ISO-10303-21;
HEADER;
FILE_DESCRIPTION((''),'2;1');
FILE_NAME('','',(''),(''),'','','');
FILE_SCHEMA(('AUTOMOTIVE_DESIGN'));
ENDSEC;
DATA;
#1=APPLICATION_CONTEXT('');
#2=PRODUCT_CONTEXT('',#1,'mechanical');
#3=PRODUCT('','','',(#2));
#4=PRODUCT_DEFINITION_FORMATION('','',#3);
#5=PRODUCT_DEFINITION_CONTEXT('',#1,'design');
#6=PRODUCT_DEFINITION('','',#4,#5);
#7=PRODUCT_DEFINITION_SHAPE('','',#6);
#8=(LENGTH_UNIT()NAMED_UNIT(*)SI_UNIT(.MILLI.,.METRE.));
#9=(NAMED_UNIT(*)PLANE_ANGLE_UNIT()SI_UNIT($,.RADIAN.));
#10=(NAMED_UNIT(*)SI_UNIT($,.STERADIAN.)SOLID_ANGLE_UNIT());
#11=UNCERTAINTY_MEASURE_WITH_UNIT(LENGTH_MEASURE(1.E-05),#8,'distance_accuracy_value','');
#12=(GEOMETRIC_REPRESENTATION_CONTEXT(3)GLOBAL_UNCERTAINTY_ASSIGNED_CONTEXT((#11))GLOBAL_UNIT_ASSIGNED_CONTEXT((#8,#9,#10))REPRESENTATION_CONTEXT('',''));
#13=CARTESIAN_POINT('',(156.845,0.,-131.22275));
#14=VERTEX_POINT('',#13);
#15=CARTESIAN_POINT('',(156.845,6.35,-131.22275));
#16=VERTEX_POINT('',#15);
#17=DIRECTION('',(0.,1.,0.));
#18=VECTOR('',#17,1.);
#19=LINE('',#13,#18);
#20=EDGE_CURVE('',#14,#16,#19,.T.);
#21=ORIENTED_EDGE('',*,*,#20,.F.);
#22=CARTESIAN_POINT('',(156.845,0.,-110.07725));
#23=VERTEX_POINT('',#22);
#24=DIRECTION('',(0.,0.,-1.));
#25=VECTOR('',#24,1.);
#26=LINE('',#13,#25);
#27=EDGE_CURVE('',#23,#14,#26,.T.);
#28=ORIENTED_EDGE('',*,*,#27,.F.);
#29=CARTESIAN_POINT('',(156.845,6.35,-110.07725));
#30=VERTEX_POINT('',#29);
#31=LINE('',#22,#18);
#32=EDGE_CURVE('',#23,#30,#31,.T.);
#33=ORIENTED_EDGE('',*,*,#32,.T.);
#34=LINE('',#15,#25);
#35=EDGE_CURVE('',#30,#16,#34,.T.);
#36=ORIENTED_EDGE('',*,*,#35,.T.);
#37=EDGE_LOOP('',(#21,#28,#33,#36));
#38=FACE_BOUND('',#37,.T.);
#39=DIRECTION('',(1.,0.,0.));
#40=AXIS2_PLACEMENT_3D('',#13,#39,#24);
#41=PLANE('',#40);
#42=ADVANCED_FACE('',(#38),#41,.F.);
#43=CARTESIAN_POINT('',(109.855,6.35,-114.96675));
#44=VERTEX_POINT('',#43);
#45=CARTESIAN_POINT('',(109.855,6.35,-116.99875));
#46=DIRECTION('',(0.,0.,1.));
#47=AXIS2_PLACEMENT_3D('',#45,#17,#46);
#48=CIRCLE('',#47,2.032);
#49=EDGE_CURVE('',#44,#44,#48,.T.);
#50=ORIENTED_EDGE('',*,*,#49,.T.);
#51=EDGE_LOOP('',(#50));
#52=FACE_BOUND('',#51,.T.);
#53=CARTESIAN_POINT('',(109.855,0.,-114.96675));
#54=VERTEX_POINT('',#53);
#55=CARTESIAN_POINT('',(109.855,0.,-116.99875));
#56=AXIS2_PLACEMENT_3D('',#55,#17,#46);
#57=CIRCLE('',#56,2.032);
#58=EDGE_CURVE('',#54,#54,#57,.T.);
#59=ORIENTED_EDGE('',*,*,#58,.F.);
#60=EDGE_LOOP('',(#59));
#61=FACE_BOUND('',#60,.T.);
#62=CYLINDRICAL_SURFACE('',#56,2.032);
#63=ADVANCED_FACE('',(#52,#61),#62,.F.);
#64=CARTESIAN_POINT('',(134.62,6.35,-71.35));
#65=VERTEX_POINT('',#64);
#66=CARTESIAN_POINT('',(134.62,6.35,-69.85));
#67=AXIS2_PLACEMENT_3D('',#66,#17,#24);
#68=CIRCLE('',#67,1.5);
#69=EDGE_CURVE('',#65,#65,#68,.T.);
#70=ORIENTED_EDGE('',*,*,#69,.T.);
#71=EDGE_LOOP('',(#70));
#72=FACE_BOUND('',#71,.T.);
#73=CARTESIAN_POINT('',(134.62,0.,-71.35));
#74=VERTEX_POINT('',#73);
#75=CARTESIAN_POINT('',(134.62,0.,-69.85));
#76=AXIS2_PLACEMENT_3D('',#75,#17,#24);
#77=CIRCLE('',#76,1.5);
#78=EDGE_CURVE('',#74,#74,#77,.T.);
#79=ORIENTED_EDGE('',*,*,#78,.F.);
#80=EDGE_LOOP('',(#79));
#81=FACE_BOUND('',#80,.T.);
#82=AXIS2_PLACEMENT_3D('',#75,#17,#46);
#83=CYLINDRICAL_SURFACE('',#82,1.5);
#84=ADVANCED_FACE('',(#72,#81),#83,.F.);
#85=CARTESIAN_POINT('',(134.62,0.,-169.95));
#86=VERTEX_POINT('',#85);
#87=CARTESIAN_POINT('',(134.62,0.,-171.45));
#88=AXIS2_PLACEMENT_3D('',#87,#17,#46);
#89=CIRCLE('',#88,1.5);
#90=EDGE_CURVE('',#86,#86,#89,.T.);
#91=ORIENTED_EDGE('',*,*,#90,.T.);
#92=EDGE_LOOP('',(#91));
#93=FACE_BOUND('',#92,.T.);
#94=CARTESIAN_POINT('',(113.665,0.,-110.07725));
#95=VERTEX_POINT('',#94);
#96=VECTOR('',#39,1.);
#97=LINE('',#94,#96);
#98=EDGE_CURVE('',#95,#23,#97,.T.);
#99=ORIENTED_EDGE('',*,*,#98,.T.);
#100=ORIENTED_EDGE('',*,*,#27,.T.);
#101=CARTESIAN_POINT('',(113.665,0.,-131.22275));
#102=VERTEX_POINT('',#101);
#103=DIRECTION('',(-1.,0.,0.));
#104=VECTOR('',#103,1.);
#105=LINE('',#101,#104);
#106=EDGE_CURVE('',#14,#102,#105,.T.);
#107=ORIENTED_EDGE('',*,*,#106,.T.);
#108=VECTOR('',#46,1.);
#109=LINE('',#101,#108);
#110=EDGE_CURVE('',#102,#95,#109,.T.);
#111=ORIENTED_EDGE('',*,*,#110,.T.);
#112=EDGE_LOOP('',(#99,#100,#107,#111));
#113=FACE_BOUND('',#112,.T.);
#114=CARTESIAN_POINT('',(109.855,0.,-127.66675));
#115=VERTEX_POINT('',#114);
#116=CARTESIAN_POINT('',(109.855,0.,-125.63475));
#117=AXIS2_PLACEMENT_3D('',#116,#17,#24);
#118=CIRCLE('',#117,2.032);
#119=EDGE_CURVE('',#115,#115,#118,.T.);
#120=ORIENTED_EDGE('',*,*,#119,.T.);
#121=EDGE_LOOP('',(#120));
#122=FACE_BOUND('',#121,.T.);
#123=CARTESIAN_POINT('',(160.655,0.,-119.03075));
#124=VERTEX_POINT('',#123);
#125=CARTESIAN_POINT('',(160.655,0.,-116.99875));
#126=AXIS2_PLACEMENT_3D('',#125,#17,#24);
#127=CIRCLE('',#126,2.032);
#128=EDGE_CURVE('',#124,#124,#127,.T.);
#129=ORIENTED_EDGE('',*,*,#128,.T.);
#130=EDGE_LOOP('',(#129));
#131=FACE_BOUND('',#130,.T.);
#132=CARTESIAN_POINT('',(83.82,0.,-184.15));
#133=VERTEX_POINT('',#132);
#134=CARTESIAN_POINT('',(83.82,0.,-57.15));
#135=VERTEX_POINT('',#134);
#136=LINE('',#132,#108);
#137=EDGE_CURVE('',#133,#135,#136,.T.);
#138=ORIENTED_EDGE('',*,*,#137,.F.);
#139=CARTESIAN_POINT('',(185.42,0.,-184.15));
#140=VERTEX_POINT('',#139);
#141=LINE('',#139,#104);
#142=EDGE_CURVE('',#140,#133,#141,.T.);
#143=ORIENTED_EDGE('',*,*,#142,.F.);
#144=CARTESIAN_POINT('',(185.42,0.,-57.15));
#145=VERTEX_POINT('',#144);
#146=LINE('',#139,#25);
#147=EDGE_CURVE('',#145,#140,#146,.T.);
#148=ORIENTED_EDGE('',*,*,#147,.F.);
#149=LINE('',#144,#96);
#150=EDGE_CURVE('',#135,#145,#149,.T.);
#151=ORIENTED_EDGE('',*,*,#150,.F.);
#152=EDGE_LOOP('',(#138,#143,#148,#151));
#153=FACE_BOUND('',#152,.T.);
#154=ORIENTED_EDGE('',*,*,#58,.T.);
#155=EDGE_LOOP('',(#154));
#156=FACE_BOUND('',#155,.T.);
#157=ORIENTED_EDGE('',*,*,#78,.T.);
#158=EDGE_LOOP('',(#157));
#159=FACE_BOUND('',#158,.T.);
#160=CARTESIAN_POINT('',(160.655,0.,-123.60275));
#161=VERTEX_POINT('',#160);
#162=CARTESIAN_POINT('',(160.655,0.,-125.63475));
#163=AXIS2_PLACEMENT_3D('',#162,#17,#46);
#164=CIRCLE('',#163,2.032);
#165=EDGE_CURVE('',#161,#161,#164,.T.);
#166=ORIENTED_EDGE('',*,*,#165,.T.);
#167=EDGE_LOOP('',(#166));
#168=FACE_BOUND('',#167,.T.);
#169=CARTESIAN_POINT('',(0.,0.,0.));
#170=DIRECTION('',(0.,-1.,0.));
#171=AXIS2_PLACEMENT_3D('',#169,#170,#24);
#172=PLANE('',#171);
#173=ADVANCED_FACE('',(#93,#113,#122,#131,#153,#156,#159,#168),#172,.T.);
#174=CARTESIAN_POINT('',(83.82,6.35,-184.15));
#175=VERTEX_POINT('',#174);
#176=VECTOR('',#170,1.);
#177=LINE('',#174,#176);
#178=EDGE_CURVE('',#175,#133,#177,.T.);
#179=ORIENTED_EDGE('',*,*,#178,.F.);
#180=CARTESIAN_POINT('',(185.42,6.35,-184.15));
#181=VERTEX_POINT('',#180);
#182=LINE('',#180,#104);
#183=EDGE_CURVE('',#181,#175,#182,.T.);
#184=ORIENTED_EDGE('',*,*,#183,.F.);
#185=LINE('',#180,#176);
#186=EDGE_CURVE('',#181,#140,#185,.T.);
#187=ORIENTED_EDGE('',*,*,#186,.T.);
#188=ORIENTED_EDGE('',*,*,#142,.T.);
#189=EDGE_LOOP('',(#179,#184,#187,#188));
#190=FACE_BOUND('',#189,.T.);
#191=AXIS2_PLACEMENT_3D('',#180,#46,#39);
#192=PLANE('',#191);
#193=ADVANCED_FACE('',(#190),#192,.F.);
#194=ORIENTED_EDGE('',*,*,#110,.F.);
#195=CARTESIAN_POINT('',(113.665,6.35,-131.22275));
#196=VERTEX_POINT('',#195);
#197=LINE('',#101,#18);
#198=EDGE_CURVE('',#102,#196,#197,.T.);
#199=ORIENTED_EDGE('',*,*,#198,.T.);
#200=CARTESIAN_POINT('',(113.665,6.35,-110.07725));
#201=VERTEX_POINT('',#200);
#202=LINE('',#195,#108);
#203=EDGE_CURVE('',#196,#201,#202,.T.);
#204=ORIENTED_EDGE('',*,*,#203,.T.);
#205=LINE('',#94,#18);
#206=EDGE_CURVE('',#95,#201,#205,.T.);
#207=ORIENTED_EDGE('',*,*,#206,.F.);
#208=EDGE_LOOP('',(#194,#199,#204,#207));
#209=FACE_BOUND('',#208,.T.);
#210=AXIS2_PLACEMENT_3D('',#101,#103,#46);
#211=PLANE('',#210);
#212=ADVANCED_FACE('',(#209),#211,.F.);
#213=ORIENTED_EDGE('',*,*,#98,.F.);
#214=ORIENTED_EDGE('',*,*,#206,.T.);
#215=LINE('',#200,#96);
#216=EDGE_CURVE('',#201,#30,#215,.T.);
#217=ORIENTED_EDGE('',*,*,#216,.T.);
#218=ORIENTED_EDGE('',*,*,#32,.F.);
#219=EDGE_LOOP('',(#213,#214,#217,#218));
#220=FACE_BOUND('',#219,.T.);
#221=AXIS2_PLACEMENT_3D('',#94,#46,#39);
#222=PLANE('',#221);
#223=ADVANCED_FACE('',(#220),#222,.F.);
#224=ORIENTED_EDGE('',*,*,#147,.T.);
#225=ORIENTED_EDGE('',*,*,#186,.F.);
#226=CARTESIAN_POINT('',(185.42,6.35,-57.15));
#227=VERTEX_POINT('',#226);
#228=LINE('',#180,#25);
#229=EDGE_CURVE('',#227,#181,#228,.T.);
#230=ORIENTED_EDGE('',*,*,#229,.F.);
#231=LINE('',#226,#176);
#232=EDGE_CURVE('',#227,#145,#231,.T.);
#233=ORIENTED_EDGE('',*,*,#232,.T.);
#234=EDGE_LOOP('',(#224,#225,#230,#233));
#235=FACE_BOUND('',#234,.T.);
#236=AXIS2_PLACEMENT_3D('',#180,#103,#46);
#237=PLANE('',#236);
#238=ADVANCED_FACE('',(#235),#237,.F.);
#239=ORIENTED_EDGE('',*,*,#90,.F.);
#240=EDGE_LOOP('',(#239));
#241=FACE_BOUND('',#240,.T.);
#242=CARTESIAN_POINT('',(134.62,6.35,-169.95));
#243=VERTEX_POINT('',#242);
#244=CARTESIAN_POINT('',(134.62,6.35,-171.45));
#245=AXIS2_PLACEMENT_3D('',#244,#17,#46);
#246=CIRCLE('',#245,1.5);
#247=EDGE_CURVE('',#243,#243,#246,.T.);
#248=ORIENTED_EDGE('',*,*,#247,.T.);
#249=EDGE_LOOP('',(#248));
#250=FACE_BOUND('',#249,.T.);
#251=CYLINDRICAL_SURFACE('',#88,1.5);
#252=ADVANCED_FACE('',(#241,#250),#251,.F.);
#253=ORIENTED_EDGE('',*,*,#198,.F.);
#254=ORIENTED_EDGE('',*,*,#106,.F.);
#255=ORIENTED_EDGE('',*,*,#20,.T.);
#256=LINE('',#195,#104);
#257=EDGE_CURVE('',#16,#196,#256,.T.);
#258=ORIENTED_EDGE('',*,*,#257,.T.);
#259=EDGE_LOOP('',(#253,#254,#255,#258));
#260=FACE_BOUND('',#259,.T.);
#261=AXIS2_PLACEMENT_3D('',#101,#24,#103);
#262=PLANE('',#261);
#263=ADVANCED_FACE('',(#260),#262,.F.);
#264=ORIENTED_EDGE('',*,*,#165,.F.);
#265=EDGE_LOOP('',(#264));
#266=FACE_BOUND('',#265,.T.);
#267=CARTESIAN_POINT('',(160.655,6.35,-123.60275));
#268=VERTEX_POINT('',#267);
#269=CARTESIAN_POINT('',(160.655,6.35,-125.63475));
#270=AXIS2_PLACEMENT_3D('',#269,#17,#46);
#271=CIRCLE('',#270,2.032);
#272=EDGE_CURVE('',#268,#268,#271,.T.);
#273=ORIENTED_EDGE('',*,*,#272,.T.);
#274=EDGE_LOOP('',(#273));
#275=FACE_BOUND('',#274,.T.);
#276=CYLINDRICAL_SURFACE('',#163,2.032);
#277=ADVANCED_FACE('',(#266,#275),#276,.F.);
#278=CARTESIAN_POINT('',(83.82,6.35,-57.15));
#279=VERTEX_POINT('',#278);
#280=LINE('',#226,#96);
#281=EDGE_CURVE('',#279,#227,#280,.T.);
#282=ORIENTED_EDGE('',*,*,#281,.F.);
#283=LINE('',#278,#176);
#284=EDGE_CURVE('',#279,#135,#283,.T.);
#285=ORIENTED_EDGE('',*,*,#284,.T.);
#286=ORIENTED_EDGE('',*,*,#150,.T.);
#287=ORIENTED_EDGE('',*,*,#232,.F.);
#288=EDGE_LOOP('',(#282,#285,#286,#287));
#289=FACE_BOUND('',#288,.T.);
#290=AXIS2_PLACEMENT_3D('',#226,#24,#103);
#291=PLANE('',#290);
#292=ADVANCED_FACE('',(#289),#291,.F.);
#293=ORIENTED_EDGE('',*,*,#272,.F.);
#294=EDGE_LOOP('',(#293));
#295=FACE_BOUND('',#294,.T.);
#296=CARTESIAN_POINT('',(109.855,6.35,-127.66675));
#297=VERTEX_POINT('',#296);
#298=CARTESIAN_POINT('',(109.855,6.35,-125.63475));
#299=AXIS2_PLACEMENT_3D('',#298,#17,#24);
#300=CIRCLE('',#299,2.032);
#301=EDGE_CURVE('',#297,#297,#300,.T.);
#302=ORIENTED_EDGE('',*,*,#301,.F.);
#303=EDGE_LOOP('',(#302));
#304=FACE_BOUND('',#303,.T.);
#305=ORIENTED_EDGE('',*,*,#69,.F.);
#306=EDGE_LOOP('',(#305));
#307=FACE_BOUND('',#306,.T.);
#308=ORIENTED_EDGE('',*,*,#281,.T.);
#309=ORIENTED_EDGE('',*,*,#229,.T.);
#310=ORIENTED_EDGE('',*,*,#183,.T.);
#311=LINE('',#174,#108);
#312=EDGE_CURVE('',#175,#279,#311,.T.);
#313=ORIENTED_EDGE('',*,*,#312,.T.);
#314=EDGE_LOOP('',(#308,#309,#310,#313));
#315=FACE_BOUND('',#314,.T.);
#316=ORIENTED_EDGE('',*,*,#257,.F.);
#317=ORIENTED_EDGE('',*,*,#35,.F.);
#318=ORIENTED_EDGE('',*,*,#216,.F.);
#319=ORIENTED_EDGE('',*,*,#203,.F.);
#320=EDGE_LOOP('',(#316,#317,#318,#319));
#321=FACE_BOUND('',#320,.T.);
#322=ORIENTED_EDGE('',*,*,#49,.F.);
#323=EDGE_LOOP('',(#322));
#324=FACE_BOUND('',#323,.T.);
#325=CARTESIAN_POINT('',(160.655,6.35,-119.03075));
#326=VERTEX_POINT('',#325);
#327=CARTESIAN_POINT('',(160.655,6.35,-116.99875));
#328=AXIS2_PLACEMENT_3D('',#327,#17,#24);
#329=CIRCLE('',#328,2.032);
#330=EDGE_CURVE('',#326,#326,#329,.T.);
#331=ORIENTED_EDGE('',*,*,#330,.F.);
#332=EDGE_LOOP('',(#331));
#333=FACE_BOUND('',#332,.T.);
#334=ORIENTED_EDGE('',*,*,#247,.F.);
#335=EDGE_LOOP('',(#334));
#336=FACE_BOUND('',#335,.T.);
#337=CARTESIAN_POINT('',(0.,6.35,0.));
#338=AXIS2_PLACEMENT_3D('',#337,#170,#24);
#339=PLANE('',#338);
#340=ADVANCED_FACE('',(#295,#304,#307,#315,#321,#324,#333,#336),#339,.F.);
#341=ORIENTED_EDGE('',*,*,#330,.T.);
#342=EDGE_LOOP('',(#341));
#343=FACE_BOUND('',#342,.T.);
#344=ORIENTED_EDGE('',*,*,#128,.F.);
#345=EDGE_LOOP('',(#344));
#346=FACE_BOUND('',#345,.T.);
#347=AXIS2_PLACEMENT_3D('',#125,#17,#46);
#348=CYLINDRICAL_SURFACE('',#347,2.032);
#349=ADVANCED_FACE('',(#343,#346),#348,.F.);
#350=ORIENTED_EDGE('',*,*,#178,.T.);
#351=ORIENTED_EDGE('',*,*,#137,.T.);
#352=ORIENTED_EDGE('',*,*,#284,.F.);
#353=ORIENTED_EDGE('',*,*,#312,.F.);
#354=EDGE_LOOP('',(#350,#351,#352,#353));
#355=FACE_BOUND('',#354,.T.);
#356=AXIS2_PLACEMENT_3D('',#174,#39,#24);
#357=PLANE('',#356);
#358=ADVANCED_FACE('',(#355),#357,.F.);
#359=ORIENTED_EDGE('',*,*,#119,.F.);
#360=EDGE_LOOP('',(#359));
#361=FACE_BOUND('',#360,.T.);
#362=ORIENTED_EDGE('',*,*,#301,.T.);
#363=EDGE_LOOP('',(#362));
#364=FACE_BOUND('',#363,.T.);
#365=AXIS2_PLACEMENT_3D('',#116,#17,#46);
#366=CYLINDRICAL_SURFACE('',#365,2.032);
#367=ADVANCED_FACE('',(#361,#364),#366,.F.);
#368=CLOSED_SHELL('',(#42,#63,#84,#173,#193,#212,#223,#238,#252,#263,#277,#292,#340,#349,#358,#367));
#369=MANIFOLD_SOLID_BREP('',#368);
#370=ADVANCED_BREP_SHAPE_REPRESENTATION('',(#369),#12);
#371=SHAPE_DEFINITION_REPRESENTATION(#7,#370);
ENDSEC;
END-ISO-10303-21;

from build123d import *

# Parameters (mm, degrees)
SKETCH1_W           = 101.6
SKETCH1_H           = 127
BOSS_EXTRUDE1_DEPTH = 6.35
SKETCH2_R           = 2.032
SKETCH2_W           = 43.18
SKETCH2_H           = 21.1455
CUT_EXTRUDE1_DEPTH  = 7.35
SKETCH7_R           = 1.5
CUT_EXTRUDE2_DEPTH  = 7.35


with BuildPart() as part:
    # Sketch1 → Boss-Extrude1 (new body)
    with BuildSketch(Plane(origin=(0, 0, 0), x_dir=(1, 0, 0), z_dir=(0, 1, 0))):
        with Locations((134.62, 120.65)):
            Rectangle(SKETCH1_W, SKETCH1_H)
    extrude(amount=BOSS_EXTRUDE1_DEPTH)

    # Sketch2 → Cut-Extrude1 (cut, through all)
    with BuildSketch(Plane(origin=(0, 6.35, 0), x_dir=(1, 0, 0), z_dir=(0, 1, 0))):
        with Locations((109.855, 116.99875)):
            Circle(SKETCH2_R)
        with Locations((109.855, 125.63475)):
            Circle(SKETCH2_R)
        with Locations((160.655, 125.63475)):
            Circle(SKETCH2_R)
        with Locations((160.655, 116.99875)):
            Circle(SKETCH2_R)
        with Locations((135.255, 120.65)):
            Rectangle(SKETCH2_W, SKETCH2_H)
    extrude(amount=-CUT_EXTRUDE1_DEPTH, mode=Mode.SUBTRACT)

    # Sketch7 → Cut-Extrude2 (cut, through all)
    with BuildSketch(Plane(origin=(0, 6.35, 0), x_dir=(1, 0, 0), z_dir=(0, 1, 0))):
        with Locations((134.62, 171.45)):
            Circle(SKETCH7_R)
        with Locations((134.62, 69.85)):
            Circle(SKETCH7_R)
    extrude(amount=-CUT_EXTRUDE2_DEPTH, mode=Mode.SUBTRACT)


solid = part.part
